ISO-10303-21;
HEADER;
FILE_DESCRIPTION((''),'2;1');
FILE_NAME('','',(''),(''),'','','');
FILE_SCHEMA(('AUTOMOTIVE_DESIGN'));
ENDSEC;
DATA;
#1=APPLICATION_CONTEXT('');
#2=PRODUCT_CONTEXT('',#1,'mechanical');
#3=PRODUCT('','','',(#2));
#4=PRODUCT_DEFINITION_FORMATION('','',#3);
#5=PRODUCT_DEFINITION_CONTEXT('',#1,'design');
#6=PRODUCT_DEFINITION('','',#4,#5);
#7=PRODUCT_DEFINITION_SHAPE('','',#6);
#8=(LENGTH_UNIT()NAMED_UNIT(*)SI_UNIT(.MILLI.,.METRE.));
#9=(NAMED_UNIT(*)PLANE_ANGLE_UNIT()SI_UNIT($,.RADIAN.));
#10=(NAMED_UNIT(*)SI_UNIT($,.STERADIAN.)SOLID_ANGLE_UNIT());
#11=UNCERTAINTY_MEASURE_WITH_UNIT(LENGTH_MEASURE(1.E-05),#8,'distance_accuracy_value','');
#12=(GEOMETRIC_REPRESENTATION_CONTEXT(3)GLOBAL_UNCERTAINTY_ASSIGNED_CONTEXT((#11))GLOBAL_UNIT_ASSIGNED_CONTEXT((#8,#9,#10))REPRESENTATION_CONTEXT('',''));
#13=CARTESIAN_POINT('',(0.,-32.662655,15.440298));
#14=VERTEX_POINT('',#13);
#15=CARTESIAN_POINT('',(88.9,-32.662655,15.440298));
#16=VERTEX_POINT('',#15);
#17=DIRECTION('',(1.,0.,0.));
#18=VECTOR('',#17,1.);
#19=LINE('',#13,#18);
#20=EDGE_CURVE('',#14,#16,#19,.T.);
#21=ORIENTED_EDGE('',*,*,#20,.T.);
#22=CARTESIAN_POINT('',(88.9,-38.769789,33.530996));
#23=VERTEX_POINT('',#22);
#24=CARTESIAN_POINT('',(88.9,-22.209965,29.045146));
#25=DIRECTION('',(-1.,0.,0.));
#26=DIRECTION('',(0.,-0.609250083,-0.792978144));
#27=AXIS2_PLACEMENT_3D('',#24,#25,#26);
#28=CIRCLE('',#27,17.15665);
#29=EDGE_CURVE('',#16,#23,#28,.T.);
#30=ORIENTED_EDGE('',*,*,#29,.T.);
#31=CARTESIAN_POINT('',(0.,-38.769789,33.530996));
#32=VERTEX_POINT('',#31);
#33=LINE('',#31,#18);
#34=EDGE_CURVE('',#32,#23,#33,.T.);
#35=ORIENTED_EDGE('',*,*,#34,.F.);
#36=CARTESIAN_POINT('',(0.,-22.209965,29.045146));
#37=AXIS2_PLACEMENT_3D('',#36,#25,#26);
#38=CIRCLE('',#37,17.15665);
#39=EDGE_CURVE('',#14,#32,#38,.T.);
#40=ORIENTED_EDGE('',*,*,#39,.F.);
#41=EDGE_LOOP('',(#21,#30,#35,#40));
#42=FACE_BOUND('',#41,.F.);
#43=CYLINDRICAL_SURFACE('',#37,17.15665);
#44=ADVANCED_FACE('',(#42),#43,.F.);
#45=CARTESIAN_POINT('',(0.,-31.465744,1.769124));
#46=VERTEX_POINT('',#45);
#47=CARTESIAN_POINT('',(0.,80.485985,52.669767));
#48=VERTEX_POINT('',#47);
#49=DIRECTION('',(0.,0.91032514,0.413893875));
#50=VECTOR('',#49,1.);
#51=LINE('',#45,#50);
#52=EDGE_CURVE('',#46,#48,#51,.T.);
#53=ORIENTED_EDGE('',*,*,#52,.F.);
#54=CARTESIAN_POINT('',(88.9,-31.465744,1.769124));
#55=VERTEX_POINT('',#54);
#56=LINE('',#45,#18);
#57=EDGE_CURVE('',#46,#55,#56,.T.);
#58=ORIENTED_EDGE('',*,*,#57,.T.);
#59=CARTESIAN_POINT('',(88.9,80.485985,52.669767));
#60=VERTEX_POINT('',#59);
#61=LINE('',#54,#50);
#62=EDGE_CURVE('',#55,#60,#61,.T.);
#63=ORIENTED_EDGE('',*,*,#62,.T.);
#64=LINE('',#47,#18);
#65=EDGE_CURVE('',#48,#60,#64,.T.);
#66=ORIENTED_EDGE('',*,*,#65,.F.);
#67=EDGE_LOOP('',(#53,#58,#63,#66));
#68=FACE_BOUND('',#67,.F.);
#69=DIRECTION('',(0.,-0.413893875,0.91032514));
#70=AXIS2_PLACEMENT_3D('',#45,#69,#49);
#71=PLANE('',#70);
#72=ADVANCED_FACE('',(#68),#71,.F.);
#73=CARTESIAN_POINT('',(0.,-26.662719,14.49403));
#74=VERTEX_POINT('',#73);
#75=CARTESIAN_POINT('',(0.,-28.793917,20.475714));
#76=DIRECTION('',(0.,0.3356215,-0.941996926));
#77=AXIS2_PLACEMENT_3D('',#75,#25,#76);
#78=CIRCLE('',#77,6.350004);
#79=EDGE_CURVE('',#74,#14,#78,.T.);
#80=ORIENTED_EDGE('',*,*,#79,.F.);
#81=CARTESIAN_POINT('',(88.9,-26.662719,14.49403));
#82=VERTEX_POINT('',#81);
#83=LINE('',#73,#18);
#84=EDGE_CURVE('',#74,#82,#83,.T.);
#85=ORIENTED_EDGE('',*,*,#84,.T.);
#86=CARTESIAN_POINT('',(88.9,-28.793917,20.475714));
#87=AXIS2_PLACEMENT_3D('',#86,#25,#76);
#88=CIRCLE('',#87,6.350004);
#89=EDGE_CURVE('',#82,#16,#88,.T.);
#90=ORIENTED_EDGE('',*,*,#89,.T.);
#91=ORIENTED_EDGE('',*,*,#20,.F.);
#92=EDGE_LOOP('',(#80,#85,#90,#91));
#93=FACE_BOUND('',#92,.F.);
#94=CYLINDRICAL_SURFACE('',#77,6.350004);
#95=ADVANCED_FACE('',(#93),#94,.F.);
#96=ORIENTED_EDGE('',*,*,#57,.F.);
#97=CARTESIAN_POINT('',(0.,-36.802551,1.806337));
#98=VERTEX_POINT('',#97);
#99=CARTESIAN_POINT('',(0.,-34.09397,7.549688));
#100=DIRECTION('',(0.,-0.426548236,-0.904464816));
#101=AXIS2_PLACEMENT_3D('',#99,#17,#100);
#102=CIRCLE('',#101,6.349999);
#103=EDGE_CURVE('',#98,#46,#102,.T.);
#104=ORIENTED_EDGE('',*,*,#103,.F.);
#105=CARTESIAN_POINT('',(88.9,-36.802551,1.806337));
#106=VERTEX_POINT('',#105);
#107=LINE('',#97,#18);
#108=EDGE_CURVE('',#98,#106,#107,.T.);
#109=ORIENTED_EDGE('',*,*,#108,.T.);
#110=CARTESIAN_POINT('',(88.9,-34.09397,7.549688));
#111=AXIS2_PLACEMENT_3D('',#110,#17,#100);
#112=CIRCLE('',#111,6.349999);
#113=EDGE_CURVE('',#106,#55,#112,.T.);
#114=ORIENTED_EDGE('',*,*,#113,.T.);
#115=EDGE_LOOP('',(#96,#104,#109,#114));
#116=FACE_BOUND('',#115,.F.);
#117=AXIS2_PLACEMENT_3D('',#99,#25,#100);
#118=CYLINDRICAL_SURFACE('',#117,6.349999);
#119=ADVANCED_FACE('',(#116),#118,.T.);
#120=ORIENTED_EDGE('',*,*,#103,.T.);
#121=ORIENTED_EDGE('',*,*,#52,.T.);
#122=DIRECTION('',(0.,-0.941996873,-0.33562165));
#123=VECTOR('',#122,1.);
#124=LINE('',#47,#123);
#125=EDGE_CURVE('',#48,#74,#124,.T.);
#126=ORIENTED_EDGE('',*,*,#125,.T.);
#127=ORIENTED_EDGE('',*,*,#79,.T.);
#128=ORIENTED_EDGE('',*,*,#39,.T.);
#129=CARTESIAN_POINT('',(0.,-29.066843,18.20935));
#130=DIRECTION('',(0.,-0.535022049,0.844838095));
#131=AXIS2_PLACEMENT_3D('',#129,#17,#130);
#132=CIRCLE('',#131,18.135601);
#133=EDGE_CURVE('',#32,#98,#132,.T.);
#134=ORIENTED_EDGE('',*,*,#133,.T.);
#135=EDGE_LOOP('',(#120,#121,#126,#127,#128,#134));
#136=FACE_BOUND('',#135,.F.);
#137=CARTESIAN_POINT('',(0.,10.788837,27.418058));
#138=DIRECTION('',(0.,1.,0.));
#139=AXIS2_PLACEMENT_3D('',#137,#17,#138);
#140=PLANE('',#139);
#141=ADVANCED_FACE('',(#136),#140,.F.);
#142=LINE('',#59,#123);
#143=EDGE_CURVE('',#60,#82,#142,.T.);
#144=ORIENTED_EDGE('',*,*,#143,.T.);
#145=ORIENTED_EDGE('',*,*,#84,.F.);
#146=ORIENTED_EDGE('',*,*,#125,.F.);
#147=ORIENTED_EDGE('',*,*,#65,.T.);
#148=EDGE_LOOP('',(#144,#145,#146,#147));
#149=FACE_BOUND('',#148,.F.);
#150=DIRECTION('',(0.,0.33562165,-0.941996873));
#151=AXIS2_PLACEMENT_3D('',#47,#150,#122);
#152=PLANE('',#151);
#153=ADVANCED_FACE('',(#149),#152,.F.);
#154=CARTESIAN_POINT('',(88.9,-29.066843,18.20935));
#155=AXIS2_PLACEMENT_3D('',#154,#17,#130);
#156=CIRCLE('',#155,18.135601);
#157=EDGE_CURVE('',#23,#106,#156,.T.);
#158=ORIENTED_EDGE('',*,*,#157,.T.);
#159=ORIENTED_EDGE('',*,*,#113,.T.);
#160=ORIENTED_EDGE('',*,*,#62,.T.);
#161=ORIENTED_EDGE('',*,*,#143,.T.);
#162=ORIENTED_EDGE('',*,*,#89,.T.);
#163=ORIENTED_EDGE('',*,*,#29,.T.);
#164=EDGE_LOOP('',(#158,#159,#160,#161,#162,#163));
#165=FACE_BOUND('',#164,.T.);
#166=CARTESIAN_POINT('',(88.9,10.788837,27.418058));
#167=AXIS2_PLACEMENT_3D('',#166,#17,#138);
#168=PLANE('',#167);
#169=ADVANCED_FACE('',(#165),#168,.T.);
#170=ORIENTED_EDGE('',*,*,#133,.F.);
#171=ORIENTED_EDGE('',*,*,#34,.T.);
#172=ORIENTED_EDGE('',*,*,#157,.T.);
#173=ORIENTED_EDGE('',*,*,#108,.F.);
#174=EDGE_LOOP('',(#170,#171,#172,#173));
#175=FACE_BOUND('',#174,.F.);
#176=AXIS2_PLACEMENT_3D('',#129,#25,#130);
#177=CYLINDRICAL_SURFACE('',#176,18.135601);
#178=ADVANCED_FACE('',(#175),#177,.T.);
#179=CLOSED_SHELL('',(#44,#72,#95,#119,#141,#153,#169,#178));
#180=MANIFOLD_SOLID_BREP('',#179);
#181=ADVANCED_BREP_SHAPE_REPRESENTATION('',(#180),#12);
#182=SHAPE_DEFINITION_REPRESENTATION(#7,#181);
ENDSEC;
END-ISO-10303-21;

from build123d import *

# Parameters (mm, degrees)
F1_DEPTH = 88.9


with BuildPart() as f1:
    # F0 (on Right) → F1 (new body)
    with BuildSketch(Plane.YZ):
        with BuildLine():
            ThreePointArc((-32.662655, 15.440298), (-38.465343, 23.557587), (-38.769789, 33.530996))
            ThreePointArc((-38.769789, 33.530996), (-47.167676, 17.086921), (-36.802551, 1.806337))
            ThreePointArc((-36.802551, 1.806337), (-34.138246, 1.199843), (-31.465744, 1.769124))
            Line((-31.465744, 1.769124), (80.485985, 52.669767))
            Line((80.485985, 52.669767), (-26.662719, 14.49403))
            ThreePointArc((-26.662719, 14.49403), (-29.783168, 14.20324), (-32.662655, 15.440298))
        make_face()
    extrude(amount=F1_DEPTH)


solid = f1.part
